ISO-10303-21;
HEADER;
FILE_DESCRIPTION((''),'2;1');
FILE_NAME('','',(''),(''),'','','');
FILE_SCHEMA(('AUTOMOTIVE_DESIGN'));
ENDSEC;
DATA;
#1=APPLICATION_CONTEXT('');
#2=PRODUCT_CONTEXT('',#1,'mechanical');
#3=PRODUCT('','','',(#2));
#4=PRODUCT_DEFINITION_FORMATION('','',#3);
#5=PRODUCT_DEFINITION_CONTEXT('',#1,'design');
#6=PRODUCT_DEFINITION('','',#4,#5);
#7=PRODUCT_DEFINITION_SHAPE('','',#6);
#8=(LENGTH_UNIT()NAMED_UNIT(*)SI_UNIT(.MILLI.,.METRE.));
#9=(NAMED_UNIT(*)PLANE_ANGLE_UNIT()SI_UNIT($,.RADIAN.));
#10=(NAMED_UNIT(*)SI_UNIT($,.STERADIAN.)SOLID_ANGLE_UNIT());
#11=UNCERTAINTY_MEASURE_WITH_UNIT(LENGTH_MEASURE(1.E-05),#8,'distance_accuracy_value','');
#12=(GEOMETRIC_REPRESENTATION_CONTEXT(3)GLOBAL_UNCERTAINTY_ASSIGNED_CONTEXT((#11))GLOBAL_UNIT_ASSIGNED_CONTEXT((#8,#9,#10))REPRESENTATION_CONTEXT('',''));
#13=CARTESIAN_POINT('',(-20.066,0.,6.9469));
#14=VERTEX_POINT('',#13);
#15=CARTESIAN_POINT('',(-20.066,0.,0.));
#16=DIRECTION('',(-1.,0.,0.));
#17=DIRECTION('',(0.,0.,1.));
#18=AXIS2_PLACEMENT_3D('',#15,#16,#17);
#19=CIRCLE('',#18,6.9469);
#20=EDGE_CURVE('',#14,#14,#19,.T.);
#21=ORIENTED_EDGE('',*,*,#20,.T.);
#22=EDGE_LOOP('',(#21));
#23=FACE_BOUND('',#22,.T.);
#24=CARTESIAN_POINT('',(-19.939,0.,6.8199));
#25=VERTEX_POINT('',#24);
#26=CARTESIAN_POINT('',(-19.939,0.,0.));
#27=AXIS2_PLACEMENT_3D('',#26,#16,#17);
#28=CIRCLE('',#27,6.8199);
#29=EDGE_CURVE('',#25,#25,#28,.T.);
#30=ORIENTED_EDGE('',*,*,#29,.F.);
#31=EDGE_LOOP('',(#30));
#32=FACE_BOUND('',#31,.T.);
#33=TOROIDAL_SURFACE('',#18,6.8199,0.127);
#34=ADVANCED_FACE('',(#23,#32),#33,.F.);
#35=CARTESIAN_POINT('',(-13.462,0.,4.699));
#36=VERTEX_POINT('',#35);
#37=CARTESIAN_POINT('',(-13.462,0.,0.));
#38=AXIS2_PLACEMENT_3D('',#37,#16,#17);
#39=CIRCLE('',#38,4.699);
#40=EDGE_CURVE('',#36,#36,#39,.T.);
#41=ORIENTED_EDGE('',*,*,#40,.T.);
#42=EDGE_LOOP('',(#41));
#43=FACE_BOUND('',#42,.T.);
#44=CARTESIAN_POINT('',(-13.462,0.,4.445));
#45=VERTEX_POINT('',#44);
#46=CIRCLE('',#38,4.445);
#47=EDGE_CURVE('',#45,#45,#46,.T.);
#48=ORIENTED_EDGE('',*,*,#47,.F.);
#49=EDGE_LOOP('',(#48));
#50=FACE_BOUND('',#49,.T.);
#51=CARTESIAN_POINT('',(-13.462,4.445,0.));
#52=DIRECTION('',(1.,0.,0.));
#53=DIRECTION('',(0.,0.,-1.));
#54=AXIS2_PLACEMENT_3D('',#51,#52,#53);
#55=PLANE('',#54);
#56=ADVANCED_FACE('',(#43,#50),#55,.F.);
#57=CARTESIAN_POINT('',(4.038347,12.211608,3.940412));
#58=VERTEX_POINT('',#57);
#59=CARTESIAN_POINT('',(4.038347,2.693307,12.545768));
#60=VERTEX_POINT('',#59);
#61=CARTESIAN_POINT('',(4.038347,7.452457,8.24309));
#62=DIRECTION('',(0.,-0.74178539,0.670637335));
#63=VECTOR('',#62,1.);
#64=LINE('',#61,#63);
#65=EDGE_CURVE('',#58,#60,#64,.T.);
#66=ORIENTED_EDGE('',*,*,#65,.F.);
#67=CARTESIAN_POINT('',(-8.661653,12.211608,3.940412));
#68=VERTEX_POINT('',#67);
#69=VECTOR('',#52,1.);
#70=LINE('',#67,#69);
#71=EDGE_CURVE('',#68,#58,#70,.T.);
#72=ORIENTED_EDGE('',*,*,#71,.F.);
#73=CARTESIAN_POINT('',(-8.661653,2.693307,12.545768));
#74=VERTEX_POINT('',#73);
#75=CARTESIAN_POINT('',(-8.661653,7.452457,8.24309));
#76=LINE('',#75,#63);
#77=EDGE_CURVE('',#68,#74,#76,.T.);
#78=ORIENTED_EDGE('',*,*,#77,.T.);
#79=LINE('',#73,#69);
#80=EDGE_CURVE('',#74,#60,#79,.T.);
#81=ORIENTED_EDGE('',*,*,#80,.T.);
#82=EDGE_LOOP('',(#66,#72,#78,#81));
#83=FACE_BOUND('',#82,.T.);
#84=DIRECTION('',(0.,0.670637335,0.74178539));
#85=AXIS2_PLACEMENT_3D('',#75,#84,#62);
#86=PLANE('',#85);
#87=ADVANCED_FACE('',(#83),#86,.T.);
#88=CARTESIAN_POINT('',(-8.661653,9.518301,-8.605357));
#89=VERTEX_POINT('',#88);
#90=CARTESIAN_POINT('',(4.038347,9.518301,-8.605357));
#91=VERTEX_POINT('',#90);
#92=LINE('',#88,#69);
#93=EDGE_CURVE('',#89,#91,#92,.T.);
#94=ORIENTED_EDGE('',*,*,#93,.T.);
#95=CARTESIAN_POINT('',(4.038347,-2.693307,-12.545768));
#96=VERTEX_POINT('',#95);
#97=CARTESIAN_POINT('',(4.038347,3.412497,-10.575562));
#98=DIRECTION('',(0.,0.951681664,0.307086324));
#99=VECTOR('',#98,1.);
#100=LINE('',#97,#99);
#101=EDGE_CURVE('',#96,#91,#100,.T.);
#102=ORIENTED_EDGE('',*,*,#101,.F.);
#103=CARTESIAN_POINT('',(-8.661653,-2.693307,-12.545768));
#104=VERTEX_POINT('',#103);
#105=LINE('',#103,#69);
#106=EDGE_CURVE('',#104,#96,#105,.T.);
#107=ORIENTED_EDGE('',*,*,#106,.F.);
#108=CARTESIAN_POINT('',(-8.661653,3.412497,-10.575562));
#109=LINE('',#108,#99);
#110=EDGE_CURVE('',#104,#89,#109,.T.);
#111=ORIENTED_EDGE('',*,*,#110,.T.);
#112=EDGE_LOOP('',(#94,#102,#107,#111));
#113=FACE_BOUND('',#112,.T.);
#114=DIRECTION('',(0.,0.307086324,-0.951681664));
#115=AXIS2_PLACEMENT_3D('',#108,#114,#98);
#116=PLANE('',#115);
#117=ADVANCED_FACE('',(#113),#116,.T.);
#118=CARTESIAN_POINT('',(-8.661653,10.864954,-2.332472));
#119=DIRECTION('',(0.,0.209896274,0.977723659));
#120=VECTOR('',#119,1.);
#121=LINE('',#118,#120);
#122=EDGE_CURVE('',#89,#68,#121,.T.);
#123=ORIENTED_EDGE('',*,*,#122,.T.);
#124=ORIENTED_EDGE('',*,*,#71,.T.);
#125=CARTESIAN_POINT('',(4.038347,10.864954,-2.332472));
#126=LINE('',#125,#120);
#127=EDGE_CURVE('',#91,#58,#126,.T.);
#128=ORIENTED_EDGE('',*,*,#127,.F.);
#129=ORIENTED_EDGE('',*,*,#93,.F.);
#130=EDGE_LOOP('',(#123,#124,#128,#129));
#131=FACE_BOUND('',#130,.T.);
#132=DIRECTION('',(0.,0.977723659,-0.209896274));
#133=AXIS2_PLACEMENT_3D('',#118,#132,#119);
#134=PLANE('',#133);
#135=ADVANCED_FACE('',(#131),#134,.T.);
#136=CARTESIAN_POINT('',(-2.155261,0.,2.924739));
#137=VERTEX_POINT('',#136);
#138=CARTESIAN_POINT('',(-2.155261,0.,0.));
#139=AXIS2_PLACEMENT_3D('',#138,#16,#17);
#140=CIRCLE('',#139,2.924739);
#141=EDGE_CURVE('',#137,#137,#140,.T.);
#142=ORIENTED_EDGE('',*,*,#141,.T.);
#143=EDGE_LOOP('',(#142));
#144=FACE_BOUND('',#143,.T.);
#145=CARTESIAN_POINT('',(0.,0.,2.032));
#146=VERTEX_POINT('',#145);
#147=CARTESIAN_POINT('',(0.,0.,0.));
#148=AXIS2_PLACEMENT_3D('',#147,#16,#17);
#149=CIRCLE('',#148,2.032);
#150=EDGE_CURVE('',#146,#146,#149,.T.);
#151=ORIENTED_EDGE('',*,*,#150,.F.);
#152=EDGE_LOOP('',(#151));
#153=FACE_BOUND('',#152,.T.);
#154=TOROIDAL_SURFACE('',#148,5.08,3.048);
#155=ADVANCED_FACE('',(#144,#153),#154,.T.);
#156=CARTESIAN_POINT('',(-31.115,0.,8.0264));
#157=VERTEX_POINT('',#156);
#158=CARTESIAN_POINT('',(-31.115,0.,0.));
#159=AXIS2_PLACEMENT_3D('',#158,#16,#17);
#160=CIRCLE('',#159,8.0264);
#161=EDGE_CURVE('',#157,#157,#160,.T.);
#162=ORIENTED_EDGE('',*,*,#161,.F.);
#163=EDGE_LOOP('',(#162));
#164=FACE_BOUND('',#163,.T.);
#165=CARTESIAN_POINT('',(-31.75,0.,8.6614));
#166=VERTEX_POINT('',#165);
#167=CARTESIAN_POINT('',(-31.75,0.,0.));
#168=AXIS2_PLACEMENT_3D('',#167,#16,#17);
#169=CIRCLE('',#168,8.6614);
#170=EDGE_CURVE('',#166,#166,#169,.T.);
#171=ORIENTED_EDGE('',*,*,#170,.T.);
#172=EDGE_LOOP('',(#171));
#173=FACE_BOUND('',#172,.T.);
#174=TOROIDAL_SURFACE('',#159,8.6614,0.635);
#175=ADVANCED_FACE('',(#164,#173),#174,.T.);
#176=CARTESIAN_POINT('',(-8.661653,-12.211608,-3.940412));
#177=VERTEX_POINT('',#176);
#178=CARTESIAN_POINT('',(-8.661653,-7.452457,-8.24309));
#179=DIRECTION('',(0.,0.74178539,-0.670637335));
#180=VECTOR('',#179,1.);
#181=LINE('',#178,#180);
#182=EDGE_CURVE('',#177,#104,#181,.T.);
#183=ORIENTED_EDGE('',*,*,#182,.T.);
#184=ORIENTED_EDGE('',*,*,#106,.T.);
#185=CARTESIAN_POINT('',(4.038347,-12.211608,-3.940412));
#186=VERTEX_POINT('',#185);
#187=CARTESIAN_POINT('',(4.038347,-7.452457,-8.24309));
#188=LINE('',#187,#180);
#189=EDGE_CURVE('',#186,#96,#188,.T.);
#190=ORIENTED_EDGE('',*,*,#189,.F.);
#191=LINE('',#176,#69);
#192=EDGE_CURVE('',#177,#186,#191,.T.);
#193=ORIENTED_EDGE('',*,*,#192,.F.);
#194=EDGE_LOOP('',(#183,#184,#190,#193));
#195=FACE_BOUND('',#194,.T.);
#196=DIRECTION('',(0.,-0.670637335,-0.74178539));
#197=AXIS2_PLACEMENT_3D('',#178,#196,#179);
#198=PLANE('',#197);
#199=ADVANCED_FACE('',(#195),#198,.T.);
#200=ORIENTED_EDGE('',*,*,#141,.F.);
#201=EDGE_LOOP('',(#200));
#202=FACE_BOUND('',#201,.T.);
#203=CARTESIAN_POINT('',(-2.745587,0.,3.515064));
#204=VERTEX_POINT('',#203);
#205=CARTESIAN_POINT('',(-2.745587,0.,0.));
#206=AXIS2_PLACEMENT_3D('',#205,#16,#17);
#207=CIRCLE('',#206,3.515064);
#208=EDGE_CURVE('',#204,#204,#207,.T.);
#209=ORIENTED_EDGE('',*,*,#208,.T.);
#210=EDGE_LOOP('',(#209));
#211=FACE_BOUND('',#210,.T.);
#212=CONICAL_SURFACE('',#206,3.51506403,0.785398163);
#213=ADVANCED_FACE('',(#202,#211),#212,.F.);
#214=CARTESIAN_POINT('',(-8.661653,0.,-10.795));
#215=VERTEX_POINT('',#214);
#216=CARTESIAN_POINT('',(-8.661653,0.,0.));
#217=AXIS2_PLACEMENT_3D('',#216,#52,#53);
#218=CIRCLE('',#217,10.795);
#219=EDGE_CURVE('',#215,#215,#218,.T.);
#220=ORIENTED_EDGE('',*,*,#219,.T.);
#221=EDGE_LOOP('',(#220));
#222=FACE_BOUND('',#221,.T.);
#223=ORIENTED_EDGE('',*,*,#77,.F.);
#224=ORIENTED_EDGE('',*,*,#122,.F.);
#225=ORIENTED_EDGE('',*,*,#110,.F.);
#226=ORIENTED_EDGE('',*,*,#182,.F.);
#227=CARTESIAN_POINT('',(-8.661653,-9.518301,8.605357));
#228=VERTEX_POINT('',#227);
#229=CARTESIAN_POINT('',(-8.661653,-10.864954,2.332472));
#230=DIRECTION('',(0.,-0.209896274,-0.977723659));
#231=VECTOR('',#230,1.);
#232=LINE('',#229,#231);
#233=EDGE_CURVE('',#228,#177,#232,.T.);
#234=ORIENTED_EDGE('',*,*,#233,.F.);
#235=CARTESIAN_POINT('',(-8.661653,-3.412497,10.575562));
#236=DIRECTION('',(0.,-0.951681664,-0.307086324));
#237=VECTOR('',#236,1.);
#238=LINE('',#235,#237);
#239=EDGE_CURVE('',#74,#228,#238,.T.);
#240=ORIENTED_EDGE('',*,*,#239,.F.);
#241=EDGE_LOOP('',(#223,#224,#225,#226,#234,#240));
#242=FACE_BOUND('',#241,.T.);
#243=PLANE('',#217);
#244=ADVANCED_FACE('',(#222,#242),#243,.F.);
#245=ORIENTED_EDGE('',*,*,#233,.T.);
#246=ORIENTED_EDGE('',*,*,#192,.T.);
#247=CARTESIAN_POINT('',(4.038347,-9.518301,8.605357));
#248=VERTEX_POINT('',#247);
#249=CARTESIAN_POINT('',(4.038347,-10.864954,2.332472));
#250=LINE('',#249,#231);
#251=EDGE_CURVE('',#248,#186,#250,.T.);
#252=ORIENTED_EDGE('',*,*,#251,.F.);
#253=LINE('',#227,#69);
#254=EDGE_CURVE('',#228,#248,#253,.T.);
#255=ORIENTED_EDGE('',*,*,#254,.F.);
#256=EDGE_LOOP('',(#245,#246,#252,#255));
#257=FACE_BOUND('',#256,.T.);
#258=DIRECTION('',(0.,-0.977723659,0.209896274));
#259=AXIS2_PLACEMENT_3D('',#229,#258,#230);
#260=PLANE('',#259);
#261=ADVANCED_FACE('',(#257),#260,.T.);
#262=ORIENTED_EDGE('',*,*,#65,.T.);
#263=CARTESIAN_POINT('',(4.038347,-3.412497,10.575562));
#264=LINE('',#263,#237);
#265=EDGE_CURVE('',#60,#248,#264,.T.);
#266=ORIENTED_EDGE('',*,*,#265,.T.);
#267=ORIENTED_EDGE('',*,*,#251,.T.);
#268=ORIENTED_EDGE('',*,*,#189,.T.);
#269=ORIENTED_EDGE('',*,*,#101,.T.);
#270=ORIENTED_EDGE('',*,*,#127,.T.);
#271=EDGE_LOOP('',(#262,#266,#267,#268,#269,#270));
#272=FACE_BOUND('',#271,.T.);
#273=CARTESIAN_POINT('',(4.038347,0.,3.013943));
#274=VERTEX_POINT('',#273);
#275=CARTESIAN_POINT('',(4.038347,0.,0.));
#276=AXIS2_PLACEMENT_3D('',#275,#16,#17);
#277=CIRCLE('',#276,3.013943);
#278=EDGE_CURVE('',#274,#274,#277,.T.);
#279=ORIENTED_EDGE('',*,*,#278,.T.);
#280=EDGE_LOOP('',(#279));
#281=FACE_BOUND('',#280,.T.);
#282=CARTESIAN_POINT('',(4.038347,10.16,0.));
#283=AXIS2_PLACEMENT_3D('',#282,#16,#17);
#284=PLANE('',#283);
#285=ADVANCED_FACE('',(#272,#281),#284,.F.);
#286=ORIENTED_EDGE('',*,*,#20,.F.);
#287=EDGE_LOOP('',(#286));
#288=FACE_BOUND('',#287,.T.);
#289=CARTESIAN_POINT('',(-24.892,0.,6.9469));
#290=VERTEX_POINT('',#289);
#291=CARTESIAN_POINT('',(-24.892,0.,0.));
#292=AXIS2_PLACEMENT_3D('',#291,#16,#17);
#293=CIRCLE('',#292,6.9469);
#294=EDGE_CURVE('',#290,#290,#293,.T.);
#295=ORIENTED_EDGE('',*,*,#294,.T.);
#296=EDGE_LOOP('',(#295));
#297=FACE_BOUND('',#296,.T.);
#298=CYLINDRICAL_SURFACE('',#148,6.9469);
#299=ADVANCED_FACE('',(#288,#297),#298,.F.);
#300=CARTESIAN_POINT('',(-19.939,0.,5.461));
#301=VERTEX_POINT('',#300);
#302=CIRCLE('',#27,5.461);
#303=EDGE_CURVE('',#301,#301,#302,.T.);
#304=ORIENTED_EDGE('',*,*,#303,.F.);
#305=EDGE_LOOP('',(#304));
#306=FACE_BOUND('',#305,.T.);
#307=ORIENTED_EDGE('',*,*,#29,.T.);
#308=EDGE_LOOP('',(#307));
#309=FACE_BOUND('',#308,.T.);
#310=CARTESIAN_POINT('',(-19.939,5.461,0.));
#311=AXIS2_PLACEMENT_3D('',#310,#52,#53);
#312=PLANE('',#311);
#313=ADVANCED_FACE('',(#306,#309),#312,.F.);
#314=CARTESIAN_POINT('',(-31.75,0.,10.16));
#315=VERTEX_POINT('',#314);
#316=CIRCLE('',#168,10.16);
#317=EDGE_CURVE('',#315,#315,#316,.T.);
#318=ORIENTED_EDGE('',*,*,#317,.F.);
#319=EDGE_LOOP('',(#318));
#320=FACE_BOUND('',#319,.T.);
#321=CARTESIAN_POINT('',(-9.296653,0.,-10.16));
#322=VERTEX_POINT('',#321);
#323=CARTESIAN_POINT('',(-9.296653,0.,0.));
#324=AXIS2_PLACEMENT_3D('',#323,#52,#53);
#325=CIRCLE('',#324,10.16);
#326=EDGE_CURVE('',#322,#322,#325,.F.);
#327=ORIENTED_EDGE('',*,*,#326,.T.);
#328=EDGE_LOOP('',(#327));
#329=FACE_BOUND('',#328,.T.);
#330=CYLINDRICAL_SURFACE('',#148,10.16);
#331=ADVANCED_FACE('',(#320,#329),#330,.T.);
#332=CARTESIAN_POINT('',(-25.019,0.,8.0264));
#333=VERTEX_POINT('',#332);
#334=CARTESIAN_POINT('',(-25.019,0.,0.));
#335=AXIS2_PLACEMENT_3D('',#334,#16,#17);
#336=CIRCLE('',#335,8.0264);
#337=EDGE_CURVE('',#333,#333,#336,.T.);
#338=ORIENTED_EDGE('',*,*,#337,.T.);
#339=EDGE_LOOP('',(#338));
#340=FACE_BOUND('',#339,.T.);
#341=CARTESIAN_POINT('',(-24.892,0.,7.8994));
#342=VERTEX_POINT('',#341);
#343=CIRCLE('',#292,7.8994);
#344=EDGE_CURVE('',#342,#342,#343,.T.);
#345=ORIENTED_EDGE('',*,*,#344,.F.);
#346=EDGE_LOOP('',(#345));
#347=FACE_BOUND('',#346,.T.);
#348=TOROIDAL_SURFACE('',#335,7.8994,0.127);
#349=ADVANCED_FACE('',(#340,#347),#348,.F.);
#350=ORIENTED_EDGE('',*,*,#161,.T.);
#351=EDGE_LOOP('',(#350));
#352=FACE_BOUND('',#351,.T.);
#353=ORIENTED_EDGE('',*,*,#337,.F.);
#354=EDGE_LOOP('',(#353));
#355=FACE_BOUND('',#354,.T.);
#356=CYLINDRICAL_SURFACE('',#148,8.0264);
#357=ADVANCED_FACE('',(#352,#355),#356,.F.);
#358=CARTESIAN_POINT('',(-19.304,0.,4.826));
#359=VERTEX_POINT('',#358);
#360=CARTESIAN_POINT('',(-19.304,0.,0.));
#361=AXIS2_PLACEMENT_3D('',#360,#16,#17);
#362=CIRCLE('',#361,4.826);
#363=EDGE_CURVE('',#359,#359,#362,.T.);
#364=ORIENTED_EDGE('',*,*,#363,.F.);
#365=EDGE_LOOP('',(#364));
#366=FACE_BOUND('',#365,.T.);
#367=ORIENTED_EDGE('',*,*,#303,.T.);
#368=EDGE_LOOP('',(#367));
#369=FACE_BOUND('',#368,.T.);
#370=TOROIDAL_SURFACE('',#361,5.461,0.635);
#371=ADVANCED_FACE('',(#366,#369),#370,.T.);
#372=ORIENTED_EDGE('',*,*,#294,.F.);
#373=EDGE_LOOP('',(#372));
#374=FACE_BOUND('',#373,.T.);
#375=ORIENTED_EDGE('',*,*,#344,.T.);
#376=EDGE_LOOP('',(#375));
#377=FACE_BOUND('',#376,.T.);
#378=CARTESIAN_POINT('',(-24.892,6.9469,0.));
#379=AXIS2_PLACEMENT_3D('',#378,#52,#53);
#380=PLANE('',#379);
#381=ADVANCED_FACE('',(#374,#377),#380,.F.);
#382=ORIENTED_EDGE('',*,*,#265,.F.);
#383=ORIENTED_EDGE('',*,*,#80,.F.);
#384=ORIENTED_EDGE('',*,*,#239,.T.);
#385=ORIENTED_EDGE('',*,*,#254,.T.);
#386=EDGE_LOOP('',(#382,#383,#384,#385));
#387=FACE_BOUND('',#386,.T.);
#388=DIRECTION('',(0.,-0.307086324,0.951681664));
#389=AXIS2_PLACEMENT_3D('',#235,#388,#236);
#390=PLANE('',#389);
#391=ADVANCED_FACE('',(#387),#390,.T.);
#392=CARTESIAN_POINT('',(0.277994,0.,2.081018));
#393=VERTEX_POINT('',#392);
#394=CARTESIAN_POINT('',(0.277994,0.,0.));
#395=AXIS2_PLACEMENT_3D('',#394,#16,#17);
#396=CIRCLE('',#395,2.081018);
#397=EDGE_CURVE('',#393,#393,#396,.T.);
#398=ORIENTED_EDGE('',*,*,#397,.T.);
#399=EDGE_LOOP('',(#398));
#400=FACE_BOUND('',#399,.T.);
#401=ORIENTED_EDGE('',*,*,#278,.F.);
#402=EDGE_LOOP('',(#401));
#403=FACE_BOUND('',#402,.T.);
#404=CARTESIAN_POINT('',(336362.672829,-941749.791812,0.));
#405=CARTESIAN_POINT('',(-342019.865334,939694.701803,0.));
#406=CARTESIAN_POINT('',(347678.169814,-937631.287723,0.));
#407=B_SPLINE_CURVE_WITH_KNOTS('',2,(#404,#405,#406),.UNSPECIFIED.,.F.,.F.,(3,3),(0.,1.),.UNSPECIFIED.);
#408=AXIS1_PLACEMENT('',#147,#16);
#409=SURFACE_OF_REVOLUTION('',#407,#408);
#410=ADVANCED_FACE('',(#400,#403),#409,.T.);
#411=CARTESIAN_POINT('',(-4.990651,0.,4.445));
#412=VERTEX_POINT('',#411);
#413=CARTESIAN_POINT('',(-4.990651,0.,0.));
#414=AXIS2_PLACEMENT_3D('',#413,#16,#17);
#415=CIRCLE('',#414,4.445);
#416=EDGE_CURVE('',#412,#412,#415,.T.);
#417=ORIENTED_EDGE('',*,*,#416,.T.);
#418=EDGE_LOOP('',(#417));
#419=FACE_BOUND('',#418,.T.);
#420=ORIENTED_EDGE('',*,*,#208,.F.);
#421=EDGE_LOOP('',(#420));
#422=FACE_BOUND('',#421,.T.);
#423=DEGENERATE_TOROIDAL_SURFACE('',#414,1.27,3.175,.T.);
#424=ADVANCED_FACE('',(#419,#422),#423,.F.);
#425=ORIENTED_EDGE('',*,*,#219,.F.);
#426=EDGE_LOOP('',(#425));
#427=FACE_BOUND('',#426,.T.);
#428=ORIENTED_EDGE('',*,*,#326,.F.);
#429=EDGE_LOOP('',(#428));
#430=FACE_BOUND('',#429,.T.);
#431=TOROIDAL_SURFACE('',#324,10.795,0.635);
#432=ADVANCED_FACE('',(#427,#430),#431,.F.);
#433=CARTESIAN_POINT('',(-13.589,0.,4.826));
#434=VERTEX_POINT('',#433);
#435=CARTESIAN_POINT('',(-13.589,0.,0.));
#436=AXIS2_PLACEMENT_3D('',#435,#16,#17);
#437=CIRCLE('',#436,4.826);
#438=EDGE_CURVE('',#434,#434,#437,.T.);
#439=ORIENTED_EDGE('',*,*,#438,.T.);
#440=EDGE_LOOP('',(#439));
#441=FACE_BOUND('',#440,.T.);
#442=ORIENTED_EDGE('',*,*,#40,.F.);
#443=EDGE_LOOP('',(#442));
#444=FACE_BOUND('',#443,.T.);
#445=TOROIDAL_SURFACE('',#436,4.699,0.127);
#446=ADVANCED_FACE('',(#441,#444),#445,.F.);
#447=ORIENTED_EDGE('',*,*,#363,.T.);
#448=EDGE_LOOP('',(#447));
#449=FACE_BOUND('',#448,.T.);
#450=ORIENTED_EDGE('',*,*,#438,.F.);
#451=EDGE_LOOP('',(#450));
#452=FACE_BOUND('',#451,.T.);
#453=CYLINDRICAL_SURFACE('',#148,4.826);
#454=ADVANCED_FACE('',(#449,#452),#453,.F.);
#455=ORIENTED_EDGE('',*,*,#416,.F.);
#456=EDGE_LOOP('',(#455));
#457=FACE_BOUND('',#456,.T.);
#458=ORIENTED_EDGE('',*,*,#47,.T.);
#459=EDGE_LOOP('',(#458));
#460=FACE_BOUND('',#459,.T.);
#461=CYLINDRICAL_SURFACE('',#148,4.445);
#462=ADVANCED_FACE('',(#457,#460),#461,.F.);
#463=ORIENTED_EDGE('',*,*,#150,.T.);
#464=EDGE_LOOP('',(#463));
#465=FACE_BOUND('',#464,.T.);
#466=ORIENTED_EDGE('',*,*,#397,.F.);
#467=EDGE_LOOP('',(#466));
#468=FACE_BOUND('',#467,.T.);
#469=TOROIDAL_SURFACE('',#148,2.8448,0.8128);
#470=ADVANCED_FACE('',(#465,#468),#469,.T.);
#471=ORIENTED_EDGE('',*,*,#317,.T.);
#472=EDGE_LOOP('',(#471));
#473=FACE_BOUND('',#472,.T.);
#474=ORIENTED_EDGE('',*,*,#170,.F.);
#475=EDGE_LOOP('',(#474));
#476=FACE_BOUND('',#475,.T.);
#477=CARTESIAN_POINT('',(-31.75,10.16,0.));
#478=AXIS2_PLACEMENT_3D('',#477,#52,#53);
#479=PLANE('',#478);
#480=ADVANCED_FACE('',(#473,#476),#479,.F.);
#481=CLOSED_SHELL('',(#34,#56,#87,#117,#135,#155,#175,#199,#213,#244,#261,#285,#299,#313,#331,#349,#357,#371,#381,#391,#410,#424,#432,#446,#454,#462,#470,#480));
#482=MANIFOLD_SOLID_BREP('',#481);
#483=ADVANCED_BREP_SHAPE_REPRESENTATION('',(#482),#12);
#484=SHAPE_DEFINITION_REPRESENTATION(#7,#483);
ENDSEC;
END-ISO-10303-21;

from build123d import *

# Parameters (mm, degrees)
SKETCH4_R           = 10.16
BOSS_EXTRUDE1_DEPTH = 12.7
FILLET1_R           = 0.635


with BuildPart() as part:
    # Sketch1 → Revolve1 (revolve)
    with BuildSketch(Plane.XY, mode=Mode.PRIVATE) as revolve1_sk:
        with BuildLine():
            Line((-2.155261469, 2.924738531), (-2.745586968, 3.51506403))
            ThreePointArc((-2.745586968, 3.51506403), (-3.775631101, 4.203317516), (-4.990650999, 4.445))
            Line((-4.990650999, 4.445), (-13.462, 4.445))
            Line((-13.462, 4.445), (-13.462, 4.699))
            ThreePointArc((-13.462, 4.699), (-13.499197439, 4.788802561), (-13.589, 4.826))
            Line((-13.589, 4.826), (-19.304, 4.826))
            ThreePointArc((-19.304, 4.826), (-19.753012806, 5.011987194), (-19.939, 5.461))
            Line((-19.939, 5.461), (-19.939, 6.8199))
            ThreePointArc((-19.939, 6.8199), (-19.976197439, 6.909702561), (-20.066, 6.9469))
            Line((-20.066, 6.9469), (-24.892, 6.9469))
            Line((-24.892, 6.9469), (-24.892, 7.8994))
            ThreePointArc((-24.892, 7.8994), (-24.929197439, 7.989202561), (-25.019, 8.0264))
            Line((-25.019, 8.0264), (-31.115, 8.0264))
            ThreePointArc((-31.115, 8.0264), (-31.564012806, 8.212387194), (-31.75, 8.6614))
            Line((-31.75, 8.6614), (-31.75, 10.16))
            Line((-31.75, 10.16), (-8.661652823, 10.16))
            Line((-8.661652823, 10.16), (4.038347177, 10.16))
            Line((4.038347177, 10.16), (4.038347177, 3.013943065))
            add(Edge.make_bspline(
                [(4.038347177, 3.013943065), (2.088149887, 2.73986071), (0.277993973, 2.081017838)],
                knots=[0, 0, 0, 1, 1, 1], degree=2))
            ThreePointArc((0.277993973, 2.081017838), (0.141141239, 2.044348258), (0, 2.032))
            ThreePointArc((0, 2.032), (-1.166419102, 2.264015185), (-2.155261469, 2.924738531))
        make_face()
    revolve(revolve1_sk.sketch.rotate(Axis((0, 0, 0), (1, 0, 0)), 90), axis=Axis((0, 0, 0), (1, 0, 0)))

    # Sketch4 → Boss-Extrude1 (add)
    with BuildSketch(Plane(origin=(4.038347177, 0, 0), x_dir=(0, 0, -1), z_dir=(1, 0, 0))):
        Polygon((3.940411868, -12.211607701), (12.545768424, -2.693307071), (8.605356556, 9.51830063), (-3.940411868, 12.211607701), (-12.545768424, 2.693307071), (-8.605356556, -9.51830063), align=None)
        with Locations(Location((0, 0, 0), (0, 0, 180))):
            Circle(SKETCH4_R, mode=Mode.SUBTRACT)
    extrude(amount=-BOSS_EXTRUDE1_DEPTH)

    # Fillet1
    fillet1_edges = [part.edges().sort_by_distance(p)[0] for p in [
        (-8.661652823, 0, -10.16),
    ]]
    fillet(fillet1_edges, radius=FILLET1_R)


solid = part.part
